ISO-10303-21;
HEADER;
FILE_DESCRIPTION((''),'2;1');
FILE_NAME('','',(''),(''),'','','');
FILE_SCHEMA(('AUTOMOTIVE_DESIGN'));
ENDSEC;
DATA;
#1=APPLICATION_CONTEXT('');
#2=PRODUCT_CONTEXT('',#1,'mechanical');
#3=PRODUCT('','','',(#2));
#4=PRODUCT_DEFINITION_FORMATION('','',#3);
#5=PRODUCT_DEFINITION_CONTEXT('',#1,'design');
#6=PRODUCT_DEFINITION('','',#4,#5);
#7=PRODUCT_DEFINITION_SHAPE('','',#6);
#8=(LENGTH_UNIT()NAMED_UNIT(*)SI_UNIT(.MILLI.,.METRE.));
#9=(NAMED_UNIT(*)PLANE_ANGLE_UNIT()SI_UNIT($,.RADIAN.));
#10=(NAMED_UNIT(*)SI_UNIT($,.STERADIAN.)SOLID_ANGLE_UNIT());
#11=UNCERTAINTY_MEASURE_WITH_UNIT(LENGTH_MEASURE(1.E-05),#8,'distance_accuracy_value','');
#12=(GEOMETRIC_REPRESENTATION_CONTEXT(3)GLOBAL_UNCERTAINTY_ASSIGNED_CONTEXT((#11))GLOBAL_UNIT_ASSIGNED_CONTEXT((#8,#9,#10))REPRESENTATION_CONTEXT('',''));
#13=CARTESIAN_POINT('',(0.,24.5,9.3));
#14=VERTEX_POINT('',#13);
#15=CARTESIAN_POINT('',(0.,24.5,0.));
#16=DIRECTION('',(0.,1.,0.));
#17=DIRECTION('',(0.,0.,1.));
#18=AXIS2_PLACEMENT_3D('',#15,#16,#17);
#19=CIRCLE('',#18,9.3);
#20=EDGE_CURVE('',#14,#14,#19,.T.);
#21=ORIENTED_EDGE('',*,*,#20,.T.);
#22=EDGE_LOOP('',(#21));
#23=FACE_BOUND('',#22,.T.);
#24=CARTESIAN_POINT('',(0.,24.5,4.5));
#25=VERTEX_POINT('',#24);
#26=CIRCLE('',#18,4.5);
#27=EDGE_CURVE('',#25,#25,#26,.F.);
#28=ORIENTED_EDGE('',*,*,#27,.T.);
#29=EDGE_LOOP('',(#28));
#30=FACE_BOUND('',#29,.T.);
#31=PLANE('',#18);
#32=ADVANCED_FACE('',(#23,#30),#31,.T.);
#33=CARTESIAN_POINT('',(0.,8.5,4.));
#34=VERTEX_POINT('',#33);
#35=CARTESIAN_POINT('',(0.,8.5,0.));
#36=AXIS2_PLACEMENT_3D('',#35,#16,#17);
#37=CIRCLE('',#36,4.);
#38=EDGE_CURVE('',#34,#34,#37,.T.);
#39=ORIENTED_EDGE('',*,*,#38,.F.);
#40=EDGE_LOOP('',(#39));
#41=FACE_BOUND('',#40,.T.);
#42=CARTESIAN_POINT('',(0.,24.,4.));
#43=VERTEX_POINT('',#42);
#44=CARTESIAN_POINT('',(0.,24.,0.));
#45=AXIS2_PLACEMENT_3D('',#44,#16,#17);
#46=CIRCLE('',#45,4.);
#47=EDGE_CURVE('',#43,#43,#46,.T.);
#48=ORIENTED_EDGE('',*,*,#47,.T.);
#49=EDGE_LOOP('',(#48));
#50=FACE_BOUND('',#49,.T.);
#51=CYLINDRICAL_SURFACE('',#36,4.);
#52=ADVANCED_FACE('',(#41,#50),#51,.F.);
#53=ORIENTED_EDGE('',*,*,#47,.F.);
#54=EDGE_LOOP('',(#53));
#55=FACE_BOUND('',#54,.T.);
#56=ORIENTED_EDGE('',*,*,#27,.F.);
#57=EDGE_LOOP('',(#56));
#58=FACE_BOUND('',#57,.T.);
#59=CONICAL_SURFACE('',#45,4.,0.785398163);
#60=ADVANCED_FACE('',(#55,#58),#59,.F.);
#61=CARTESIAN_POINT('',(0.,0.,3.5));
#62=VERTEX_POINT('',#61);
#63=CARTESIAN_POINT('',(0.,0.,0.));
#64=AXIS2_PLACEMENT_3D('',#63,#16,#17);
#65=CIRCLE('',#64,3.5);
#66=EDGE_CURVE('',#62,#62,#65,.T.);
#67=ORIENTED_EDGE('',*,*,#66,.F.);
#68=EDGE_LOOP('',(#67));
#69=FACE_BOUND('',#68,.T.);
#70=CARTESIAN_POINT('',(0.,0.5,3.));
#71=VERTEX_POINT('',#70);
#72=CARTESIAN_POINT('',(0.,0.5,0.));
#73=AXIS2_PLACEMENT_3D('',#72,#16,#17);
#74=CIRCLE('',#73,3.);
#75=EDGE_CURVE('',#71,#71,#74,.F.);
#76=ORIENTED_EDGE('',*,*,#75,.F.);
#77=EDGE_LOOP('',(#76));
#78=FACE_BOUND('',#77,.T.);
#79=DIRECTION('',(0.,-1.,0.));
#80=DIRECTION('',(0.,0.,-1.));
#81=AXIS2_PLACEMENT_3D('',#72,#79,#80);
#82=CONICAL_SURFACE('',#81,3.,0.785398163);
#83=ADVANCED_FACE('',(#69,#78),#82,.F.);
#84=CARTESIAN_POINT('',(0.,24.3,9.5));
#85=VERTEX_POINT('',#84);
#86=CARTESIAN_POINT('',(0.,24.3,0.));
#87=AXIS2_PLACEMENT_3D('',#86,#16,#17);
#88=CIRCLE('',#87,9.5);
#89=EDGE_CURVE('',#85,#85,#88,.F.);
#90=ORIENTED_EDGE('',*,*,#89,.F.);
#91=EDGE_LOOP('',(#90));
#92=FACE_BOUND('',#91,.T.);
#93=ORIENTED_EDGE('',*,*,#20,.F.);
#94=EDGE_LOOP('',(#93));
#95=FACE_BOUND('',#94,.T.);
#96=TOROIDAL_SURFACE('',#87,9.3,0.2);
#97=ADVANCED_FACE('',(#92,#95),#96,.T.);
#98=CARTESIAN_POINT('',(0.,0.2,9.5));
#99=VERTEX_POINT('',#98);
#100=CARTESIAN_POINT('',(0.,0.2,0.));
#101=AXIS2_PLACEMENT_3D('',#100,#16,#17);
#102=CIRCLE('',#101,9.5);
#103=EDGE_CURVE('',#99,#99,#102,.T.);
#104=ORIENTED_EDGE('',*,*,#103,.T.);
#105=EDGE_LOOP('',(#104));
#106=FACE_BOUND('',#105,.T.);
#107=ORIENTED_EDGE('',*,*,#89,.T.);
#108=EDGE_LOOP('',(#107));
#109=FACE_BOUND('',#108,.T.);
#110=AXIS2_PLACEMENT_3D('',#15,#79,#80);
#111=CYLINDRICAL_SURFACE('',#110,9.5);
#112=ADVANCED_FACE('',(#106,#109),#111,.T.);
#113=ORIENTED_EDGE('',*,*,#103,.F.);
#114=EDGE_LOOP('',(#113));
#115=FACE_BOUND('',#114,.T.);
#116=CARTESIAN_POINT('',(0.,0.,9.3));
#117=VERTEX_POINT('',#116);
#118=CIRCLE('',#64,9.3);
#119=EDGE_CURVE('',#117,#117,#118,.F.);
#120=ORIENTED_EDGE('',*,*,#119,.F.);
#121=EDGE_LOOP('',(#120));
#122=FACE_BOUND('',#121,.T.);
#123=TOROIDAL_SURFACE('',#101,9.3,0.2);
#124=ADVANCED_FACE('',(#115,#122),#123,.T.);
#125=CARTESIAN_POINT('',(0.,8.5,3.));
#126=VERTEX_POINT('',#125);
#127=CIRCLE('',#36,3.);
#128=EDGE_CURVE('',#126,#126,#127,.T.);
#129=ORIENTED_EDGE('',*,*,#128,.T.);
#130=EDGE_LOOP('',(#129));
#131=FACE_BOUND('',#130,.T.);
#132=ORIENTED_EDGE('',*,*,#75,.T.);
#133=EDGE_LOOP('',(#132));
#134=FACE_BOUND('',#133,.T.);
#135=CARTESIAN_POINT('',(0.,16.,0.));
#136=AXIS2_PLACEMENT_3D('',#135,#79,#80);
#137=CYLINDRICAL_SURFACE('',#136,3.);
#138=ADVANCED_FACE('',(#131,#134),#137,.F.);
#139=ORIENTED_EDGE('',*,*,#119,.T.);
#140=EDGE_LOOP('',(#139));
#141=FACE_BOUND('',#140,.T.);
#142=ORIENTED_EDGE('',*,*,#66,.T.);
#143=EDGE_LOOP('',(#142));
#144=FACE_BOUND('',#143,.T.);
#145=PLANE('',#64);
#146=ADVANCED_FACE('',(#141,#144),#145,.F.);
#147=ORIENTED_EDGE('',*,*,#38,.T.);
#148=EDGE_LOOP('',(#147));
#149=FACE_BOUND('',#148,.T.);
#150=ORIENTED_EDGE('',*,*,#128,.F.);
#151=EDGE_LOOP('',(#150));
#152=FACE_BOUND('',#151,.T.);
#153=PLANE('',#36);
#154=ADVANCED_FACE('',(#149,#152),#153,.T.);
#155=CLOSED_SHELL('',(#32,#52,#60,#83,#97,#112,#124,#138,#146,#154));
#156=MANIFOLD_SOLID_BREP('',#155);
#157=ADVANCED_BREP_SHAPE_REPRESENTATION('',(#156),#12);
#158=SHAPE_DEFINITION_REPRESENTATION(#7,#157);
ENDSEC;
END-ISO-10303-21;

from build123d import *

# Parameters (mm, degrees)
SKETCH_1_R          = 9.5
EXTRUDE_1_DEPTH     = 24.5
SKETCH_2_R          = 4
CUT_EXTRUDE_1_DEPTH = 16
SKETCH_3_R          = 3
CUT_EXTRUDE_2_DEPTH = 16
CHAMFER_1_SIZE      = 0.5
FILLET_1_R          = 0.2


with BuildPart() as part:
    # 草图1 → 凸台-拉伸1 (new body)
    with BuildSketch(Plane(origin=(0, 0, 0), x_dir=(1, 0, 0), z_dir=(0, 1, 0))):
        Circle(SKETCH_1_R)
    extrude(amount=EXTRUDE_1_DEPTH)

    # 草图2 → 切除-拉伸1 (cut)
    with BuildSketch(Plane(origin=(0, 24.5, 0), x_dir=(1, 0, 0), z_dir=(0, 1, 0))):
        Circle(SKETCH_2_R)
    extrude(amount=-CUT_EXTRUDE_1_DEPTH, mode=Mode.SUBTRACT)

    # 草图3 → 切除-拉伸2 (cut)
    with BuildSketch(Plane.XZ):
        Circle(SKETCH_3_R)
    extrude(amount=-CUT_EXTRUDE_2_DEPTH, mode=Mode.SUBTRACT)

    # 倒角1
    chamfer_1_edges = [part.edges().sort_by_distance(p)[0] for p in [
        (-3, 0, 0),
        (-4, 24.5, 0),
    ]]
    chamfer(chamfer_1_edges, length=CHAMFER_1_SIZE)

    # 圆角1
    fillet_1_edges = [part.edges().sort_by_distance(p)[0] for p in [
        (-9.5, 0, 0),
        (-9.5, 24.5, 0),
    ]]
    fillet(fillet_1_edges, radius=FILLET_1_R)


solid = part.part
